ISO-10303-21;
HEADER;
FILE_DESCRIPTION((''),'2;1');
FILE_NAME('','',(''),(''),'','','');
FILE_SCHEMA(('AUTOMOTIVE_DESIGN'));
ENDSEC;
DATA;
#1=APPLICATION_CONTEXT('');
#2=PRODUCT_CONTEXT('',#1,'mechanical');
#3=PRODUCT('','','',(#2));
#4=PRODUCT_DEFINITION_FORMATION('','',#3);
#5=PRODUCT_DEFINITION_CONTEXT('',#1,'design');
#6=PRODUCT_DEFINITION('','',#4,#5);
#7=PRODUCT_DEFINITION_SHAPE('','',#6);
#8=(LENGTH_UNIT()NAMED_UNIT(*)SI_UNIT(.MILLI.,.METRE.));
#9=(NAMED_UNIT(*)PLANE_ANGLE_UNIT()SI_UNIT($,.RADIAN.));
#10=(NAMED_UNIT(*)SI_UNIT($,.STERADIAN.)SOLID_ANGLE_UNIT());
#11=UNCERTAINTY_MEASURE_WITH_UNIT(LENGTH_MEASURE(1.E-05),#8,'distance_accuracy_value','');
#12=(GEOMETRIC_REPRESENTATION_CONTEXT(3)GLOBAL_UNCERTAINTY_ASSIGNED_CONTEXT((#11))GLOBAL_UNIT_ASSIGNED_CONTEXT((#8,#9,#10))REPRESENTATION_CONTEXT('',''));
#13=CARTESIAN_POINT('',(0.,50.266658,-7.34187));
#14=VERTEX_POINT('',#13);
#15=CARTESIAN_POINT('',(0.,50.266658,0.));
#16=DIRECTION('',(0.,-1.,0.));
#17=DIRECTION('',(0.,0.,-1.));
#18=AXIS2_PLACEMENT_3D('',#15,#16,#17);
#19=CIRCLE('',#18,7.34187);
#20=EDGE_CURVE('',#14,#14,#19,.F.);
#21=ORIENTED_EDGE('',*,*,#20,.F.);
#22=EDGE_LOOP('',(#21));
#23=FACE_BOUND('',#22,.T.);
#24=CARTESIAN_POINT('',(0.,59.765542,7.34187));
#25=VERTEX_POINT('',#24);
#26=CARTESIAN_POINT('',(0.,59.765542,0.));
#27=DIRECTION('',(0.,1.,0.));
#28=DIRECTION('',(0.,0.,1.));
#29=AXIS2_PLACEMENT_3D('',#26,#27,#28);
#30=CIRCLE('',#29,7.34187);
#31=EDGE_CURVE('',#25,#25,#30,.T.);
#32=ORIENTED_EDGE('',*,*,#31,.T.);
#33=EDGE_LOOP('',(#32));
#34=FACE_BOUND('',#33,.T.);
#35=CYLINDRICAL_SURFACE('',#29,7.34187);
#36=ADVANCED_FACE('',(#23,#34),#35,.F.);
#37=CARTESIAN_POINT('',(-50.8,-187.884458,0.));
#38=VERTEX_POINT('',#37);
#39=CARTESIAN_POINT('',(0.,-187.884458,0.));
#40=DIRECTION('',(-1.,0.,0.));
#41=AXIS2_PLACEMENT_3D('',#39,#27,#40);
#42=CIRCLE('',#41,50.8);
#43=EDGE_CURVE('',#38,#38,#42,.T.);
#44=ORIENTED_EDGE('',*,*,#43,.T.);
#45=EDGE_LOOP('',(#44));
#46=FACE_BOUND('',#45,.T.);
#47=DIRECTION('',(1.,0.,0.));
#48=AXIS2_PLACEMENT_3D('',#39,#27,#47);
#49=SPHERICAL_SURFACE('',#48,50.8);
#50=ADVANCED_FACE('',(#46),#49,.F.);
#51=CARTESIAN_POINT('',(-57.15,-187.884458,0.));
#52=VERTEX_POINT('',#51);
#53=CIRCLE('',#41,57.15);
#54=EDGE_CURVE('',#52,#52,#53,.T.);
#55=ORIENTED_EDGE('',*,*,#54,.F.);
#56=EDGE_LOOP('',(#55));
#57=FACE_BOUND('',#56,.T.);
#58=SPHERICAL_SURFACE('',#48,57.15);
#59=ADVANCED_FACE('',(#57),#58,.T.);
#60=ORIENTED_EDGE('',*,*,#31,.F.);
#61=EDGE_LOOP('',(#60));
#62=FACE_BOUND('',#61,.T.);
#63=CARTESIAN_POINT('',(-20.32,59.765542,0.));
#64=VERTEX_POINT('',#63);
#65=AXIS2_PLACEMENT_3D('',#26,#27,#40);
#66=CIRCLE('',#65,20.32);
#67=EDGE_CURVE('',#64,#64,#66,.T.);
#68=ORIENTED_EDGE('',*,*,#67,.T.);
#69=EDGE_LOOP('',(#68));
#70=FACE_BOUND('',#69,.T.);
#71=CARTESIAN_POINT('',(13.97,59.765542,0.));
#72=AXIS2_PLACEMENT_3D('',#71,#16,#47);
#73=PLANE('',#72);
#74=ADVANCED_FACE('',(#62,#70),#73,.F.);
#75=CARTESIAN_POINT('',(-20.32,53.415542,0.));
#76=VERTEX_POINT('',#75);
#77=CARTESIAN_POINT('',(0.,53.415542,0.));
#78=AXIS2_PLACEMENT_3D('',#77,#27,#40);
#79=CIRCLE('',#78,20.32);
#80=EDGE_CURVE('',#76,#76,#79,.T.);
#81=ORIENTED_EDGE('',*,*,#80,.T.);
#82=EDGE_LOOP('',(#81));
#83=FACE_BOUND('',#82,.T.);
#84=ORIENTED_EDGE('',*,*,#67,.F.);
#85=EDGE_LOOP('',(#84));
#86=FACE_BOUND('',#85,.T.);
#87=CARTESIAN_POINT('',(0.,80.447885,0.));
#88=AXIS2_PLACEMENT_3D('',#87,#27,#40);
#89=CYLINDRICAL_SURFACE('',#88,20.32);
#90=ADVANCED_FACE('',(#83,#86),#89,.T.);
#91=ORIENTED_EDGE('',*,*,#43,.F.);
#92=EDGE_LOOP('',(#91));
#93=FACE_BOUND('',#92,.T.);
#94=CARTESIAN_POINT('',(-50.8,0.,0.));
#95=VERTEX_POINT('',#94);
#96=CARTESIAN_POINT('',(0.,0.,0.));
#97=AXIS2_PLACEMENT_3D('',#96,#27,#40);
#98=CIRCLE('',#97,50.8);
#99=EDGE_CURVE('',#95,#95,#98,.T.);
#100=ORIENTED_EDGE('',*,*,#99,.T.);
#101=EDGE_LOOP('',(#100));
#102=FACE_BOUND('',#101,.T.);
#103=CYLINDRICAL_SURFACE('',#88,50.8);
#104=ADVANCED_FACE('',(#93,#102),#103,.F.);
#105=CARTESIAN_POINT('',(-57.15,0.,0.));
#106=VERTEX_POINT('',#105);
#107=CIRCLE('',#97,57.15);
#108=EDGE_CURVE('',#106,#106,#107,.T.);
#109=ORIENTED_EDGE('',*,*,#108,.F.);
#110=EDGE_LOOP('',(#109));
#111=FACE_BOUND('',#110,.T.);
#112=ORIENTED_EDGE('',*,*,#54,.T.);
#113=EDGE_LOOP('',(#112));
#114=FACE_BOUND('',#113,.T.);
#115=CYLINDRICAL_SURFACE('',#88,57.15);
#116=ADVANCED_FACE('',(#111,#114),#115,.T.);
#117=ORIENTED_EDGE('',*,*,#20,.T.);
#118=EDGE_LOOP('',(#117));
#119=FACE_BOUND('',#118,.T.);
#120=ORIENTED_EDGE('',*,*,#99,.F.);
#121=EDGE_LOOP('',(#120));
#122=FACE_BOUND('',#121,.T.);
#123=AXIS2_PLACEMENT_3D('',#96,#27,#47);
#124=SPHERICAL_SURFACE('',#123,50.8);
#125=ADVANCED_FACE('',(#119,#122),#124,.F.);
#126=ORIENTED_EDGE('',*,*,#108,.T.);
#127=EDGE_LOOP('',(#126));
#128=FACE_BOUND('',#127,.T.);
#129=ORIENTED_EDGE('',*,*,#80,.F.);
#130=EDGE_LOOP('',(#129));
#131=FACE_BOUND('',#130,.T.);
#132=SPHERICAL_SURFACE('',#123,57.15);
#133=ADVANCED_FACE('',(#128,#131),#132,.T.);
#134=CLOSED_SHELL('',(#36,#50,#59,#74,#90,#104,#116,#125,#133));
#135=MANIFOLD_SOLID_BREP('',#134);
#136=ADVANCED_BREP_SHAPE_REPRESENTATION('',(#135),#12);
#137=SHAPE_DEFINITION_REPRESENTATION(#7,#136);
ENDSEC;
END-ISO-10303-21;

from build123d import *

# Parameters (mm, degrees)
F_5_8_18_TAPPED_HOLE2_D     = 14.68374
F_5_8_18_TAPPED_HOLE2_DEPTH = 38.862
F_5_8_18_TAPPED_HOLE2_TIP   = 4.411440553


with BuildPart() as part:
    # Sketch4 → Revolve1 (revolve)
    with BuildSketch(Plane.XY):
        with BuildLine():
            Line((20.32, 59.765541746), (20.32, 53.415541746))
            ThreePointArc((20.32, 53.415541746), (47.050029224, 32.440981027), (57.15, 0))
            Line((57.15, 0), (57.15, -187.884458254))
            ThreePointArc((57.15, -187.884458254), (40.411152545, -228.295610799), (0, -245.034458254))
            Line((0, -245.034458254), (0, -238.684458254))
            ThreePointArc((0, -238.684458254), (35.921024484, -223.805482738), (50.8, -187.884458254))
            Line((50.8, -187.884458254), (50.8, 0))
            ThreePointArc((50.8, 0), (40.560547334, 30.58565023), (13.97, 48.841366688))
            ThreePointArc((13.97, 48.841366688), (8.309203928, 50.115837118), (2.54, 50.736460263))
            Line((2.54, 50.736460263), (2.54, 59.765541746))
            Line((2.54, 59.765541746), (13.97, 59.765541746))
            Line((13.97, 59.765541746), (20.32, 59.765541746))
        make_face()
    revolve(axis=Axis((0, 80.447885323, 0), (0, -1, 0)))

    # 5/8-18 Tapped Hole2
    with Locations(Plane(origin=(0, 59.765541746, 0), x_dir=(1, 0, 0), z_dir=(0, 1, 0))):
        with Locations((0, 0)):
            Hole(F_5_8_18_TAPPED_HOLE2_D / 2, depth=F_5_8_18_TAPPED_HOLE2_DEPTH)
            with Locations((0, 0, -(F_5_8_18_TAPPED_HOLE2_DEPTH + F_5_8_18_TAPPED_HOLE2_TIP / 2))):  # 118° drill point
                Cone(0, F_5_8_18_TAPPED_HOLE2_D / 2, F_5_8_18_TAPPED_HOLE2_TIP, mode=Mode.SUBTRACT)


solid = part.part
